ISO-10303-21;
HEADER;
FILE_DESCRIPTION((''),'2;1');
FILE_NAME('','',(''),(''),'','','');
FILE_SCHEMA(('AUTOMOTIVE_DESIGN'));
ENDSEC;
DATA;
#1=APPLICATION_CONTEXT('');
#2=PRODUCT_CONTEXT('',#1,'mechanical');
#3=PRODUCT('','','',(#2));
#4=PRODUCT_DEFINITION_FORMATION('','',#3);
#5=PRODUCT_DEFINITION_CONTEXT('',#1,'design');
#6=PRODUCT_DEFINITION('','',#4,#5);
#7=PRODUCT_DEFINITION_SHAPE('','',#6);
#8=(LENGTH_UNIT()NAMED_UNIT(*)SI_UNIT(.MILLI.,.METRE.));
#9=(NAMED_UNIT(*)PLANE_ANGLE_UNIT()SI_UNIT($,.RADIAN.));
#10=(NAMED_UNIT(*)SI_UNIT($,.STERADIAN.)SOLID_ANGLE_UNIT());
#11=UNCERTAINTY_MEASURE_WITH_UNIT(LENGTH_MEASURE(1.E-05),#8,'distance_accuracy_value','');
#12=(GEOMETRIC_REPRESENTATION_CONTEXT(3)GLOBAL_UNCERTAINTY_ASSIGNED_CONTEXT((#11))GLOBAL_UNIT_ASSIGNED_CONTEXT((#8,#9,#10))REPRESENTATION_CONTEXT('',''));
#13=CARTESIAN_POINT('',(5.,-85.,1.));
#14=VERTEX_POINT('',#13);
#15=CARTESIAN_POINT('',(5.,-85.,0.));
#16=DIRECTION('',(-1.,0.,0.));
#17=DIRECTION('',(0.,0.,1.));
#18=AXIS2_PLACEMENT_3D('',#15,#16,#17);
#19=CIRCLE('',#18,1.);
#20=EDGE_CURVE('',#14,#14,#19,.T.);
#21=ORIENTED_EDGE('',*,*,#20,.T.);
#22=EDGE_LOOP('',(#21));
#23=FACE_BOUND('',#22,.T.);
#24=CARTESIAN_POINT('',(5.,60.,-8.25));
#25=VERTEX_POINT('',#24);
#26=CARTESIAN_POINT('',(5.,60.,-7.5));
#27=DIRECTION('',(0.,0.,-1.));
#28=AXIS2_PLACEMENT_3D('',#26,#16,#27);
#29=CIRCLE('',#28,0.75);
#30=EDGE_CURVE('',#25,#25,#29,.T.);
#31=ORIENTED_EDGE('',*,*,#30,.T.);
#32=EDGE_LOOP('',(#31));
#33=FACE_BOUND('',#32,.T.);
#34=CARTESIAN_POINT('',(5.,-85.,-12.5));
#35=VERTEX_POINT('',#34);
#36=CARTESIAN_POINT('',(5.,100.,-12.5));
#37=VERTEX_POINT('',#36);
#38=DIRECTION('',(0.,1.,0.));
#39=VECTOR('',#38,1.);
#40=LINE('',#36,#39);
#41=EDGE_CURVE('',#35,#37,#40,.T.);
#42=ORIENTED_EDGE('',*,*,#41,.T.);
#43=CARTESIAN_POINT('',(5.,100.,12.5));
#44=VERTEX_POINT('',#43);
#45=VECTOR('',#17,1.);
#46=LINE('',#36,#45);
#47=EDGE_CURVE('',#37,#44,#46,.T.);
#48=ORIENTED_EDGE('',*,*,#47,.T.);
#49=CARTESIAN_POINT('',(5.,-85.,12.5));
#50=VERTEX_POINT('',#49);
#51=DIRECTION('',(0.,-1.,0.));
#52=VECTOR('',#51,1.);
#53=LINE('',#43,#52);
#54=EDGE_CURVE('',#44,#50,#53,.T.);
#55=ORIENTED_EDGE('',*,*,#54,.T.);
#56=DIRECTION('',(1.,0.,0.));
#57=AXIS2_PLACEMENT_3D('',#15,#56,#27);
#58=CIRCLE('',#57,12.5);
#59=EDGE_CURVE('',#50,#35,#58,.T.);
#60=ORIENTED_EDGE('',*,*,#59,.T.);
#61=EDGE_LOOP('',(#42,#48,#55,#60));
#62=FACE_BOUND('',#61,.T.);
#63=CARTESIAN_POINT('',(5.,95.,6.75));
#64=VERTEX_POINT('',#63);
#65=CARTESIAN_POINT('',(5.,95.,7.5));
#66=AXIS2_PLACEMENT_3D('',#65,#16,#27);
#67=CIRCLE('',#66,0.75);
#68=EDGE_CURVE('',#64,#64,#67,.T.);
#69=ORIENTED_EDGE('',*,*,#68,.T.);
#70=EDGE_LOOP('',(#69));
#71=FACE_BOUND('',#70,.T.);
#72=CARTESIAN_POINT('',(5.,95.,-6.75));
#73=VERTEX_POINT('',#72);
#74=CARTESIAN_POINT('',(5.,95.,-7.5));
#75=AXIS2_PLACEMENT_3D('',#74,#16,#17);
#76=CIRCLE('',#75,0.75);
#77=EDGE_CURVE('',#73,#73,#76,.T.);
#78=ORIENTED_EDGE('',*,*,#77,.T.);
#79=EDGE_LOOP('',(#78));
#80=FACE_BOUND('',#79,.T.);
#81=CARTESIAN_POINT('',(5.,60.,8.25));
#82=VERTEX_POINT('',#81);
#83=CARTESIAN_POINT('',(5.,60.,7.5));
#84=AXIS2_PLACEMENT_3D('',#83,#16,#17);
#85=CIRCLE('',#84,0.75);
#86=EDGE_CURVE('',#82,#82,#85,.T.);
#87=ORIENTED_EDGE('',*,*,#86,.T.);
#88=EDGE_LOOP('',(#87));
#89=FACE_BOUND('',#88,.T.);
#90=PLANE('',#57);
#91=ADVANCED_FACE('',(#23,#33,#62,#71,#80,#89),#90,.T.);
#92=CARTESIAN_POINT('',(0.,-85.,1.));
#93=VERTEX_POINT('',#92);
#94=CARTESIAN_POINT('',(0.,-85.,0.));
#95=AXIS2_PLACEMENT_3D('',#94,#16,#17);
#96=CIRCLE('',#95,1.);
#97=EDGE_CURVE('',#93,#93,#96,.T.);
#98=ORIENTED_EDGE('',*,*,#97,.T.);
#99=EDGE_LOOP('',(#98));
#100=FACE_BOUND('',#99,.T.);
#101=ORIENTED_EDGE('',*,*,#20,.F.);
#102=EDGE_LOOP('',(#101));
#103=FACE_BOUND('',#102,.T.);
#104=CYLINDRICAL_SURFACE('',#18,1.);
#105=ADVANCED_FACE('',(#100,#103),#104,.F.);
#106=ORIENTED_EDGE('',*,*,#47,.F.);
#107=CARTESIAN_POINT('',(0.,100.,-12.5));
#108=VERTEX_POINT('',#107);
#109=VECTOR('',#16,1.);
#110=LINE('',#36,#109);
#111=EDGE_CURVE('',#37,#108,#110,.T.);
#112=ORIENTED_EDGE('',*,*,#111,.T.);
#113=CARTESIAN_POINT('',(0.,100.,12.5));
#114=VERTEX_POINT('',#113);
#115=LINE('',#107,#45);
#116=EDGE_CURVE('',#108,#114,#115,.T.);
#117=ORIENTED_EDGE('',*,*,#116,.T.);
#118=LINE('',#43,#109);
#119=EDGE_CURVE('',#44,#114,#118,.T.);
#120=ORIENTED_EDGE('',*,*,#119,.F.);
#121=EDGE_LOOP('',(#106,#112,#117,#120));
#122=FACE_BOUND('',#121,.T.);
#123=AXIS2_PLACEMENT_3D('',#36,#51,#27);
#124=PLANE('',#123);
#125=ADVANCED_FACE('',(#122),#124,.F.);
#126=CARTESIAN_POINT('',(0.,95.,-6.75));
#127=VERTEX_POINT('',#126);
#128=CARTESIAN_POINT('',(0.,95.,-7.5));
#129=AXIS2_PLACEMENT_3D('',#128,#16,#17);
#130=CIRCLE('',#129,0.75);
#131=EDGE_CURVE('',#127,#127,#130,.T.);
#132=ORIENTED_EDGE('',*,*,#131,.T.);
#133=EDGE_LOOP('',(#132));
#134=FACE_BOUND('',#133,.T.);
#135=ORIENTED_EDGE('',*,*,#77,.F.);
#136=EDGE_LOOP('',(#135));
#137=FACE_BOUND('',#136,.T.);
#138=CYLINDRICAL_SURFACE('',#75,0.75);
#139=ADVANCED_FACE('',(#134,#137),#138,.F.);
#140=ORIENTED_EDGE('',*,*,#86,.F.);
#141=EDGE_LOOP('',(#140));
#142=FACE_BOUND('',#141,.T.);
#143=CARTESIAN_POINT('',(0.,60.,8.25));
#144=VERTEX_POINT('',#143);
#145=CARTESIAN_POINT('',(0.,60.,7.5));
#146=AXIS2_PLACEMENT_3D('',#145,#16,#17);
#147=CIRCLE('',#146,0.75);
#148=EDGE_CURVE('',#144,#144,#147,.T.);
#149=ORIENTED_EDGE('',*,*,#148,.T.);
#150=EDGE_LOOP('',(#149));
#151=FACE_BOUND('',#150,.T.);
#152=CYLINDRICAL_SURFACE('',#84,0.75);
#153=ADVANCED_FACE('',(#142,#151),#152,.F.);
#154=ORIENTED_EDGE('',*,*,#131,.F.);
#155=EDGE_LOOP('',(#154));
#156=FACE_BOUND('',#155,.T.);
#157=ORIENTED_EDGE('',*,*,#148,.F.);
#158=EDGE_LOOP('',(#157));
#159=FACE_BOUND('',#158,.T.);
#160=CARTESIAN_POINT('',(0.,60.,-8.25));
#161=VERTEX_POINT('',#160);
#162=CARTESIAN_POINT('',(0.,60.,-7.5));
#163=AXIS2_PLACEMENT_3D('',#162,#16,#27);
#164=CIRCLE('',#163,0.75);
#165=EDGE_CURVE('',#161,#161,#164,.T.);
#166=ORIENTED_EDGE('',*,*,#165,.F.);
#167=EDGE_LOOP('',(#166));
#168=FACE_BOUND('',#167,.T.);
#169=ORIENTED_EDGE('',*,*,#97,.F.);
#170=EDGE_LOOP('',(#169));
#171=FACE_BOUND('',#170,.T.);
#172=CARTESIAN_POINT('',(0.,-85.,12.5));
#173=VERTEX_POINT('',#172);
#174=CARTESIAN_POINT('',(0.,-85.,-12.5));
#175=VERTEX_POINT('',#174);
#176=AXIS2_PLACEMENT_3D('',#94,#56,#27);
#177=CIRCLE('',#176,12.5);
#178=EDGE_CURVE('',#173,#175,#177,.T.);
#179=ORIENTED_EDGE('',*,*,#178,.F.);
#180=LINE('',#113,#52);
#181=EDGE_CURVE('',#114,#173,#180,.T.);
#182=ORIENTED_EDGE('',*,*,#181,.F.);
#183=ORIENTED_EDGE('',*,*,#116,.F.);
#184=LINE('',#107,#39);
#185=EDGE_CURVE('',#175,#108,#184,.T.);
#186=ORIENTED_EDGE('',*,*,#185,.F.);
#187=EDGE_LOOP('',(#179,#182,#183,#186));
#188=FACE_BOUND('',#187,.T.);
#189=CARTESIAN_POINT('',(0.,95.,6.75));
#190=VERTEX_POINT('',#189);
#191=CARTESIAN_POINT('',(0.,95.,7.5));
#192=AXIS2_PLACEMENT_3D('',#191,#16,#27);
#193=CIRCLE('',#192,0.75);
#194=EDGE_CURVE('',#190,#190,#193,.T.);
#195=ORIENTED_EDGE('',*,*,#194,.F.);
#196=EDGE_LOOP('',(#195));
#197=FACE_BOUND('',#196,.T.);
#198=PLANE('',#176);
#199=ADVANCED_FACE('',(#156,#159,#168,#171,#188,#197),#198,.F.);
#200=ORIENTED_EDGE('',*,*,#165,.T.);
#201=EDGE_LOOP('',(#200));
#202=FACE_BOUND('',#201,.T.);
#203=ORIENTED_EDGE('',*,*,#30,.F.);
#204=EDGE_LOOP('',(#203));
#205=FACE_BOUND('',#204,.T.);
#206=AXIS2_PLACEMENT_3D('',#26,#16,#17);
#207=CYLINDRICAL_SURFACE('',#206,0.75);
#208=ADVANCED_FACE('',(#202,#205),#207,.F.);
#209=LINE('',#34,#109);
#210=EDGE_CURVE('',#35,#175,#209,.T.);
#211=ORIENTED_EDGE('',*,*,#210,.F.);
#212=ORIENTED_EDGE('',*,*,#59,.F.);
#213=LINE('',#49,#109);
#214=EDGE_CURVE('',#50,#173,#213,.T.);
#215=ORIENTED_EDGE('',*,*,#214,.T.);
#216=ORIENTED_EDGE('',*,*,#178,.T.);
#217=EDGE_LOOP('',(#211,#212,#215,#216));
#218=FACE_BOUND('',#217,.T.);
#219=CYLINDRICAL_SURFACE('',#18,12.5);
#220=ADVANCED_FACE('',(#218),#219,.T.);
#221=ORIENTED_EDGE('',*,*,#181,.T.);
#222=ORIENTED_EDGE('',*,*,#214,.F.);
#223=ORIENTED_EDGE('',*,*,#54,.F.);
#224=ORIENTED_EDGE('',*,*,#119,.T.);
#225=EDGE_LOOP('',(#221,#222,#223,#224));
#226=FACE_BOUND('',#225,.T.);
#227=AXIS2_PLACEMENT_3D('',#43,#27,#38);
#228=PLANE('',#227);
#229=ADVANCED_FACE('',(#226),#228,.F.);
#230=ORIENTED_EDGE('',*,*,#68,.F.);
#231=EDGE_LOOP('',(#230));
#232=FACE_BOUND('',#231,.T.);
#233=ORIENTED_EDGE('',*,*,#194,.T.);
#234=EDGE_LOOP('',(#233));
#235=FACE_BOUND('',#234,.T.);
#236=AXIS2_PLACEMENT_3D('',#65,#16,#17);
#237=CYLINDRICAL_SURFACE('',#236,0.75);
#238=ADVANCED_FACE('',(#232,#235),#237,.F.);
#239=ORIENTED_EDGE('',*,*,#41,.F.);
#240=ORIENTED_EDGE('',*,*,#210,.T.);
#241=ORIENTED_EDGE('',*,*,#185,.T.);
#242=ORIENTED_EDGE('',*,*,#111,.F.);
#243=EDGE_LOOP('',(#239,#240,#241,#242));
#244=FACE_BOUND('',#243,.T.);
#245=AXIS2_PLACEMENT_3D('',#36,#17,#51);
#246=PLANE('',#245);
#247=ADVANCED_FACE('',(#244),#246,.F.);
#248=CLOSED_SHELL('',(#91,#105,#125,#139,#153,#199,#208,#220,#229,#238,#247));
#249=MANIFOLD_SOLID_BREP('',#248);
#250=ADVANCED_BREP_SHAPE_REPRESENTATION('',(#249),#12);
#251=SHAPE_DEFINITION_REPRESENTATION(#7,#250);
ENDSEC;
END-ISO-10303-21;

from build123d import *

# Parameters (mm, degrees)
BOSS_EXTRUDE2_DEPTH = 5
SKETCH4_R           = 0.75
CUT_EXTRUDE1_DEPTH  = 5
SKETCH5_R           = 1
CUT_EXTRUDE2_DEPTH  = 5


with BuildPart() as part:
    # Sketch3 → Boss-Extrude2 (new body)
    with BuildSketch(Plane(origin=(0, 0, 0), x_dir=(0, 0, -1), z_dir=(1, 0, 0))):
        with BuildLine():
            Line((12.5, 100), (-12.5, 100))
            Line((-12.5, 100), (-12.5, -85))
            ThreePointArc((-12.5, -85), (0, -97.5), (12.5, -85))
            Line((12.5, -85), (12.5, 100))
        make_face()
    extrude(amount=BOSS_EXTRUDE2_DEPTH)

    # Sketch4 → Cut-Extrude1 (cut)
    with BuildSketch(Plane.ZY):
        with Locations((-7.5, 95)):
            Circle(SKETCH4_R)
        with Locations(Location((-7.5, 60, 0), (0, 0, 180))):
            Circle(SKETCH4_R)
        with Locations((7.5, 60)):
            Circle(SKETCH4_R)
        with Locations(Location((7.5, 95, 0), (0, 0, 180))):
            Circle(SKETCH4_R)
    extrude(amount=-CUT_EXTRUDE1_DEPTH, mode=Mode.SUBTRACT)

    # Sketch5 → Cut-Extrude2 (cut)
    with BuildSketch(Plane.ZY):
        with Locations((0, -85)):
            Circle(SKETCH5_R)
    extrude(amount=-CUT_EXTRUDE2_DEPTH, mode=Mode.SUBTRACT)


solid = part.part
